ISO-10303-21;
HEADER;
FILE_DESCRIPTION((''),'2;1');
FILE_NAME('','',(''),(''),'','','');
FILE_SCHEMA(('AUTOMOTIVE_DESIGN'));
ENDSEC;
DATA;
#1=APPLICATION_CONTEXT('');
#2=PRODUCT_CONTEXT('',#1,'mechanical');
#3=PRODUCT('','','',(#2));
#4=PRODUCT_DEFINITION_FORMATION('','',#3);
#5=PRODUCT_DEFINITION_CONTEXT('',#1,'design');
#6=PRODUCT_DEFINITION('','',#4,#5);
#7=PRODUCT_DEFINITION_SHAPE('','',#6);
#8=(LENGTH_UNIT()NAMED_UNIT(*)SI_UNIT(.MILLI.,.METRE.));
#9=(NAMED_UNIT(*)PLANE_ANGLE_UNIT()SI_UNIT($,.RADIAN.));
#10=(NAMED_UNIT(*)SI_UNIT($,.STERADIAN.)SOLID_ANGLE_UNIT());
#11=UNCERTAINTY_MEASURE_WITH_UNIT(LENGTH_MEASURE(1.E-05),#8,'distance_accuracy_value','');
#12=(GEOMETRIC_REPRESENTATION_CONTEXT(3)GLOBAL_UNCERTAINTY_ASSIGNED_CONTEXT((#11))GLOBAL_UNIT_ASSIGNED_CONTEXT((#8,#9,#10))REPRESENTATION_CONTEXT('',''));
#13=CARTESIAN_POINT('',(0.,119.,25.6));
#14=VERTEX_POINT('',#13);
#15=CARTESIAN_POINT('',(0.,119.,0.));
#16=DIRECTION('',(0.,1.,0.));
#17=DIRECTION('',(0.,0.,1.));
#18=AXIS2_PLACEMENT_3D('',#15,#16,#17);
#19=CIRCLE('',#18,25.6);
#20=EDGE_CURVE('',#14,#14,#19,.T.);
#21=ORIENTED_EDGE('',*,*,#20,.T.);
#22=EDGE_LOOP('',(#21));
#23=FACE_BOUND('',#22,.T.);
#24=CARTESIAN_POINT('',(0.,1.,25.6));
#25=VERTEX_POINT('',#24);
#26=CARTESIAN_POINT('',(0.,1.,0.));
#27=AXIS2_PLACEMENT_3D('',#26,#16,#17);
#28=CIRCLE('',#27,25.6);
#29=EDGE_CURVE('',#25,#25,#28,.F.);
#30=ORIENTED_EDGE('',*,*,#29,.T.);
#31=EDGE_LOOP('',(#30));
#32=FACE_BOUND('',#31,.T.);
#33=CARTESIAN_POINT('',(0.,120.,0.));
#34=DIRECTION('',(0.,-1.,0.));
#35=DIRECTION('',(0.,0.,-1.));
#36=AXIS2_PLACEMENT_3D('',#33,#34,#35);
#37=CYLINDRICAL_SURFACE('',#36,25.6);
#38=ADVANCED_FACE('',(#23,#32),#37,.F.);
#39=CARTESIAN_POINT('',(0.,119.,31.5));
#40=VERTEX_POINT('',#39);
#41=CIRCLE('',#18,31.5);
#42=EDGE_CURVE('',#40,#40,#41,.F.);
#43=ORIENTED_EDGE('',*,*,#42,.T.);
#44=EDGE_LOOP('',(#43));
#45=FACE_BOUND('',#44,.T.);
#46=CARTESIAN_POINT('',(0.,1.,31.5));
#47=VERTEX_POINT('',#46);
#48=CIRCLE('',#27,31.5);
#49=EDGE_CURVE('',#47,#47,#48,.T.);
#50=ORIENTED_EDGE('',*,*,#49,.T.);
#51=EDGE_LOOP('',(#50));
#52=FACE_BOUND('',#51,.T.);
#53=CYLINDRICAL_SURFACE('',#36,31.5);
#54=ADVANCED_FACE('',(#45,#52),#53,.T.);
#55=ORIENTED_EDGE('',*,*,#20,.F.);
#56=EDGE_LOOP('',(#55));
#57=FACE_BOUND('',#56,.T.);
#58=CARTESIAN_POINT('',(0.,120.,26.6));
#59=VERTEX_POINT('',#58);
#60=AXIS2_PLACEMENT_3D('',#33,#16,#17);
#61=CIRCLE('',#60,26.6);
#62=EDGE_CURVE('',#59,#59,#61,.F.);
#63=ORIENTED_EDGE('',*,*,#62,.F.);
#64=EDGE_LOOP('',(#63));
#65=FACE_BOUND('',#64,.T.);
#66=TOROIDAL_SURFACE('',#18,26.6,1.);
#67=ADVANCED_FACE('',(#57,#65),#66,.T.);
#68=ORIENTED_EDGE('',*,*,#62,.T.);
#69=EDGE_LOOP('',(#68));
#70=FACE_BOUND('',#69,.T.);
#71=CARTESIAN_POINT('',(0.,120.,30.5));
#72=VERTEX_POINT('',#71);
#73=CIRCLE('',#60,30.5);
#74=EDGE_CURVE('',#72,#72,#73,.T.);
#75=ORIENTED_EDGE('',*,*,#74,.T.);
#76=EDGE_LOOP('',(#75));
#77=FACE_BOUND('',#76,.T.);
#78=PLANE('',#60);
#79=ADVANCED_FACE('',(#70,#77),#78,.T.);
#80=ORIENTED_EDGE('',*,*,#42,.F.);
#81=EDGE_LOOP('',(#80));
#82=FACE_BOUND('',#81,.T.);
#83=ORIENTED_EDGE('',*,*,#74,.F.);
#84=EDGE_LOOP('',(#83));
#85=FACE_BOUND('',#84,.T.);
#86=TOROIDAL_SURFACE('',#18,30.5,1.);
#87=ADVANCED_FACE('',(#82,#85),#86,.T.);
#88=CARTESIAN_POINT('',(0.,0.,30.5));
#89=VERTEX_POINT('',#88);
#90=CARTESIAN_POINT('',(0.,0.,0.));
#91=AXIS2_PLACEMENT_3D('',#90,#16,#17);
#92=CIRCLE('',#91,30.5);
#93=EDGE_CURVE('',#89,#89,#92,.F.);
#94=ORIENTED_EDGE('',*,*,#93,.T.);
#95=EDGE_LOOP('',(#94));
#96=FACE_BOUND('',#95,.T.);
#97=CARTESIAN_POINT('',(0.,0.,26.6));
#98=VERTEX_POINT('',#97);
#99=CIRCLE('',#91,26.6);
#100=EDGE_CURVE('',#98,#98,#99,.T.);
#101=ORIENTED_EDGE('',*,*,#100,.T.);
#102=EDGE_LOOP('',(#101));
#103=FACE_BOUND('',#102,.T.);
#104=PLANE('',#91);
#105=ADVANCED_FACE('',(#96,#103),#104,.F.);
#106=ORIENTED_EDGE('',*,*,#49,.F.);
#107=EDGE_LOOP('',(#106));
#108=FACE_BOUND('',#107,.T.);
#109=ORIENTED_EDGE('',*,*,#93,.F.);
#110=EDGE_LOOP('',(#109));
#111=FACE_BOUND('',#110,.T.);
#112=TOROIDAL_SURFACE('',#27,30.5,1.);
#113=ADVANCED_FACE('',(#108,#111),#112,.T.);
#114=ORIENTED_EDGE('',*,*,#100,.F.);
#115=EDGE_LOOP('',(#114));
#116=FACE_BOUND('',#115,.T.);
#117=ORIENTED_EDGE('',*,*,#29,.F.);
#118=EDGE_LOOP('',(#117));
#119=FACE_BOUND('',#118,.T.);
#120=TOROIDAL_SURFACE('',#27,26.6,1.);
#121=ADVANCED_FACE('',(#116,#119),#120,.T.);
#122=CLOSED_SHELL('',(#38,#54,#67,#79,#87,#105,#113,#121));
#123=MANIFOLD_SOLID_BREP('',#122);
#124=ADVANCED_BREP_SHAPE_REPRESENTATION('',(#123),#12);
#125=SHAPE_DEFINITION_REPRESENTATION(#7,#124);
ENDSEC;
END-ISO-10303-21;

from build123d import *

# Parameters (mm, degrees)
SKETCH1_R           = 31.5
SKETCH1_R_2         = 25.6
BOSS_EXTRUDE1_DEPTH = 120
FILLET1_R           = 1


with BuildPart() as part:
    # Sketch1 → Boss-Extrude1 (new body)
    with BuildSketch(Plane(origin=(0, 0, 0), x_dir=(1, 0, 0), z_dir=(0, 1, 0))):
        with Locations(Location((0, 0, 0), (0, 0, 270))):
            Circle(SKETCH1_R)
        with Locations(Location((0, 0, 0), (0, 0, 270))):
            Circle(SKETCH1_R_2, mode=Mode.SUBTRACT)
    extrude(amount=BOSS_EXTRUDE1_DEPTH)

    # Fillet1
    fillet1_edges = [part.edges().sort_by_distance(p)[0] for p in [
        (0, 0, -31.5),
        (0, 120, -31.5),
        (0, 0, -25.6),
        (0, 120, -25.6),
    ]]
    fillet(fillet1_edges, radius=FILLET1_R)


solid = part.part
